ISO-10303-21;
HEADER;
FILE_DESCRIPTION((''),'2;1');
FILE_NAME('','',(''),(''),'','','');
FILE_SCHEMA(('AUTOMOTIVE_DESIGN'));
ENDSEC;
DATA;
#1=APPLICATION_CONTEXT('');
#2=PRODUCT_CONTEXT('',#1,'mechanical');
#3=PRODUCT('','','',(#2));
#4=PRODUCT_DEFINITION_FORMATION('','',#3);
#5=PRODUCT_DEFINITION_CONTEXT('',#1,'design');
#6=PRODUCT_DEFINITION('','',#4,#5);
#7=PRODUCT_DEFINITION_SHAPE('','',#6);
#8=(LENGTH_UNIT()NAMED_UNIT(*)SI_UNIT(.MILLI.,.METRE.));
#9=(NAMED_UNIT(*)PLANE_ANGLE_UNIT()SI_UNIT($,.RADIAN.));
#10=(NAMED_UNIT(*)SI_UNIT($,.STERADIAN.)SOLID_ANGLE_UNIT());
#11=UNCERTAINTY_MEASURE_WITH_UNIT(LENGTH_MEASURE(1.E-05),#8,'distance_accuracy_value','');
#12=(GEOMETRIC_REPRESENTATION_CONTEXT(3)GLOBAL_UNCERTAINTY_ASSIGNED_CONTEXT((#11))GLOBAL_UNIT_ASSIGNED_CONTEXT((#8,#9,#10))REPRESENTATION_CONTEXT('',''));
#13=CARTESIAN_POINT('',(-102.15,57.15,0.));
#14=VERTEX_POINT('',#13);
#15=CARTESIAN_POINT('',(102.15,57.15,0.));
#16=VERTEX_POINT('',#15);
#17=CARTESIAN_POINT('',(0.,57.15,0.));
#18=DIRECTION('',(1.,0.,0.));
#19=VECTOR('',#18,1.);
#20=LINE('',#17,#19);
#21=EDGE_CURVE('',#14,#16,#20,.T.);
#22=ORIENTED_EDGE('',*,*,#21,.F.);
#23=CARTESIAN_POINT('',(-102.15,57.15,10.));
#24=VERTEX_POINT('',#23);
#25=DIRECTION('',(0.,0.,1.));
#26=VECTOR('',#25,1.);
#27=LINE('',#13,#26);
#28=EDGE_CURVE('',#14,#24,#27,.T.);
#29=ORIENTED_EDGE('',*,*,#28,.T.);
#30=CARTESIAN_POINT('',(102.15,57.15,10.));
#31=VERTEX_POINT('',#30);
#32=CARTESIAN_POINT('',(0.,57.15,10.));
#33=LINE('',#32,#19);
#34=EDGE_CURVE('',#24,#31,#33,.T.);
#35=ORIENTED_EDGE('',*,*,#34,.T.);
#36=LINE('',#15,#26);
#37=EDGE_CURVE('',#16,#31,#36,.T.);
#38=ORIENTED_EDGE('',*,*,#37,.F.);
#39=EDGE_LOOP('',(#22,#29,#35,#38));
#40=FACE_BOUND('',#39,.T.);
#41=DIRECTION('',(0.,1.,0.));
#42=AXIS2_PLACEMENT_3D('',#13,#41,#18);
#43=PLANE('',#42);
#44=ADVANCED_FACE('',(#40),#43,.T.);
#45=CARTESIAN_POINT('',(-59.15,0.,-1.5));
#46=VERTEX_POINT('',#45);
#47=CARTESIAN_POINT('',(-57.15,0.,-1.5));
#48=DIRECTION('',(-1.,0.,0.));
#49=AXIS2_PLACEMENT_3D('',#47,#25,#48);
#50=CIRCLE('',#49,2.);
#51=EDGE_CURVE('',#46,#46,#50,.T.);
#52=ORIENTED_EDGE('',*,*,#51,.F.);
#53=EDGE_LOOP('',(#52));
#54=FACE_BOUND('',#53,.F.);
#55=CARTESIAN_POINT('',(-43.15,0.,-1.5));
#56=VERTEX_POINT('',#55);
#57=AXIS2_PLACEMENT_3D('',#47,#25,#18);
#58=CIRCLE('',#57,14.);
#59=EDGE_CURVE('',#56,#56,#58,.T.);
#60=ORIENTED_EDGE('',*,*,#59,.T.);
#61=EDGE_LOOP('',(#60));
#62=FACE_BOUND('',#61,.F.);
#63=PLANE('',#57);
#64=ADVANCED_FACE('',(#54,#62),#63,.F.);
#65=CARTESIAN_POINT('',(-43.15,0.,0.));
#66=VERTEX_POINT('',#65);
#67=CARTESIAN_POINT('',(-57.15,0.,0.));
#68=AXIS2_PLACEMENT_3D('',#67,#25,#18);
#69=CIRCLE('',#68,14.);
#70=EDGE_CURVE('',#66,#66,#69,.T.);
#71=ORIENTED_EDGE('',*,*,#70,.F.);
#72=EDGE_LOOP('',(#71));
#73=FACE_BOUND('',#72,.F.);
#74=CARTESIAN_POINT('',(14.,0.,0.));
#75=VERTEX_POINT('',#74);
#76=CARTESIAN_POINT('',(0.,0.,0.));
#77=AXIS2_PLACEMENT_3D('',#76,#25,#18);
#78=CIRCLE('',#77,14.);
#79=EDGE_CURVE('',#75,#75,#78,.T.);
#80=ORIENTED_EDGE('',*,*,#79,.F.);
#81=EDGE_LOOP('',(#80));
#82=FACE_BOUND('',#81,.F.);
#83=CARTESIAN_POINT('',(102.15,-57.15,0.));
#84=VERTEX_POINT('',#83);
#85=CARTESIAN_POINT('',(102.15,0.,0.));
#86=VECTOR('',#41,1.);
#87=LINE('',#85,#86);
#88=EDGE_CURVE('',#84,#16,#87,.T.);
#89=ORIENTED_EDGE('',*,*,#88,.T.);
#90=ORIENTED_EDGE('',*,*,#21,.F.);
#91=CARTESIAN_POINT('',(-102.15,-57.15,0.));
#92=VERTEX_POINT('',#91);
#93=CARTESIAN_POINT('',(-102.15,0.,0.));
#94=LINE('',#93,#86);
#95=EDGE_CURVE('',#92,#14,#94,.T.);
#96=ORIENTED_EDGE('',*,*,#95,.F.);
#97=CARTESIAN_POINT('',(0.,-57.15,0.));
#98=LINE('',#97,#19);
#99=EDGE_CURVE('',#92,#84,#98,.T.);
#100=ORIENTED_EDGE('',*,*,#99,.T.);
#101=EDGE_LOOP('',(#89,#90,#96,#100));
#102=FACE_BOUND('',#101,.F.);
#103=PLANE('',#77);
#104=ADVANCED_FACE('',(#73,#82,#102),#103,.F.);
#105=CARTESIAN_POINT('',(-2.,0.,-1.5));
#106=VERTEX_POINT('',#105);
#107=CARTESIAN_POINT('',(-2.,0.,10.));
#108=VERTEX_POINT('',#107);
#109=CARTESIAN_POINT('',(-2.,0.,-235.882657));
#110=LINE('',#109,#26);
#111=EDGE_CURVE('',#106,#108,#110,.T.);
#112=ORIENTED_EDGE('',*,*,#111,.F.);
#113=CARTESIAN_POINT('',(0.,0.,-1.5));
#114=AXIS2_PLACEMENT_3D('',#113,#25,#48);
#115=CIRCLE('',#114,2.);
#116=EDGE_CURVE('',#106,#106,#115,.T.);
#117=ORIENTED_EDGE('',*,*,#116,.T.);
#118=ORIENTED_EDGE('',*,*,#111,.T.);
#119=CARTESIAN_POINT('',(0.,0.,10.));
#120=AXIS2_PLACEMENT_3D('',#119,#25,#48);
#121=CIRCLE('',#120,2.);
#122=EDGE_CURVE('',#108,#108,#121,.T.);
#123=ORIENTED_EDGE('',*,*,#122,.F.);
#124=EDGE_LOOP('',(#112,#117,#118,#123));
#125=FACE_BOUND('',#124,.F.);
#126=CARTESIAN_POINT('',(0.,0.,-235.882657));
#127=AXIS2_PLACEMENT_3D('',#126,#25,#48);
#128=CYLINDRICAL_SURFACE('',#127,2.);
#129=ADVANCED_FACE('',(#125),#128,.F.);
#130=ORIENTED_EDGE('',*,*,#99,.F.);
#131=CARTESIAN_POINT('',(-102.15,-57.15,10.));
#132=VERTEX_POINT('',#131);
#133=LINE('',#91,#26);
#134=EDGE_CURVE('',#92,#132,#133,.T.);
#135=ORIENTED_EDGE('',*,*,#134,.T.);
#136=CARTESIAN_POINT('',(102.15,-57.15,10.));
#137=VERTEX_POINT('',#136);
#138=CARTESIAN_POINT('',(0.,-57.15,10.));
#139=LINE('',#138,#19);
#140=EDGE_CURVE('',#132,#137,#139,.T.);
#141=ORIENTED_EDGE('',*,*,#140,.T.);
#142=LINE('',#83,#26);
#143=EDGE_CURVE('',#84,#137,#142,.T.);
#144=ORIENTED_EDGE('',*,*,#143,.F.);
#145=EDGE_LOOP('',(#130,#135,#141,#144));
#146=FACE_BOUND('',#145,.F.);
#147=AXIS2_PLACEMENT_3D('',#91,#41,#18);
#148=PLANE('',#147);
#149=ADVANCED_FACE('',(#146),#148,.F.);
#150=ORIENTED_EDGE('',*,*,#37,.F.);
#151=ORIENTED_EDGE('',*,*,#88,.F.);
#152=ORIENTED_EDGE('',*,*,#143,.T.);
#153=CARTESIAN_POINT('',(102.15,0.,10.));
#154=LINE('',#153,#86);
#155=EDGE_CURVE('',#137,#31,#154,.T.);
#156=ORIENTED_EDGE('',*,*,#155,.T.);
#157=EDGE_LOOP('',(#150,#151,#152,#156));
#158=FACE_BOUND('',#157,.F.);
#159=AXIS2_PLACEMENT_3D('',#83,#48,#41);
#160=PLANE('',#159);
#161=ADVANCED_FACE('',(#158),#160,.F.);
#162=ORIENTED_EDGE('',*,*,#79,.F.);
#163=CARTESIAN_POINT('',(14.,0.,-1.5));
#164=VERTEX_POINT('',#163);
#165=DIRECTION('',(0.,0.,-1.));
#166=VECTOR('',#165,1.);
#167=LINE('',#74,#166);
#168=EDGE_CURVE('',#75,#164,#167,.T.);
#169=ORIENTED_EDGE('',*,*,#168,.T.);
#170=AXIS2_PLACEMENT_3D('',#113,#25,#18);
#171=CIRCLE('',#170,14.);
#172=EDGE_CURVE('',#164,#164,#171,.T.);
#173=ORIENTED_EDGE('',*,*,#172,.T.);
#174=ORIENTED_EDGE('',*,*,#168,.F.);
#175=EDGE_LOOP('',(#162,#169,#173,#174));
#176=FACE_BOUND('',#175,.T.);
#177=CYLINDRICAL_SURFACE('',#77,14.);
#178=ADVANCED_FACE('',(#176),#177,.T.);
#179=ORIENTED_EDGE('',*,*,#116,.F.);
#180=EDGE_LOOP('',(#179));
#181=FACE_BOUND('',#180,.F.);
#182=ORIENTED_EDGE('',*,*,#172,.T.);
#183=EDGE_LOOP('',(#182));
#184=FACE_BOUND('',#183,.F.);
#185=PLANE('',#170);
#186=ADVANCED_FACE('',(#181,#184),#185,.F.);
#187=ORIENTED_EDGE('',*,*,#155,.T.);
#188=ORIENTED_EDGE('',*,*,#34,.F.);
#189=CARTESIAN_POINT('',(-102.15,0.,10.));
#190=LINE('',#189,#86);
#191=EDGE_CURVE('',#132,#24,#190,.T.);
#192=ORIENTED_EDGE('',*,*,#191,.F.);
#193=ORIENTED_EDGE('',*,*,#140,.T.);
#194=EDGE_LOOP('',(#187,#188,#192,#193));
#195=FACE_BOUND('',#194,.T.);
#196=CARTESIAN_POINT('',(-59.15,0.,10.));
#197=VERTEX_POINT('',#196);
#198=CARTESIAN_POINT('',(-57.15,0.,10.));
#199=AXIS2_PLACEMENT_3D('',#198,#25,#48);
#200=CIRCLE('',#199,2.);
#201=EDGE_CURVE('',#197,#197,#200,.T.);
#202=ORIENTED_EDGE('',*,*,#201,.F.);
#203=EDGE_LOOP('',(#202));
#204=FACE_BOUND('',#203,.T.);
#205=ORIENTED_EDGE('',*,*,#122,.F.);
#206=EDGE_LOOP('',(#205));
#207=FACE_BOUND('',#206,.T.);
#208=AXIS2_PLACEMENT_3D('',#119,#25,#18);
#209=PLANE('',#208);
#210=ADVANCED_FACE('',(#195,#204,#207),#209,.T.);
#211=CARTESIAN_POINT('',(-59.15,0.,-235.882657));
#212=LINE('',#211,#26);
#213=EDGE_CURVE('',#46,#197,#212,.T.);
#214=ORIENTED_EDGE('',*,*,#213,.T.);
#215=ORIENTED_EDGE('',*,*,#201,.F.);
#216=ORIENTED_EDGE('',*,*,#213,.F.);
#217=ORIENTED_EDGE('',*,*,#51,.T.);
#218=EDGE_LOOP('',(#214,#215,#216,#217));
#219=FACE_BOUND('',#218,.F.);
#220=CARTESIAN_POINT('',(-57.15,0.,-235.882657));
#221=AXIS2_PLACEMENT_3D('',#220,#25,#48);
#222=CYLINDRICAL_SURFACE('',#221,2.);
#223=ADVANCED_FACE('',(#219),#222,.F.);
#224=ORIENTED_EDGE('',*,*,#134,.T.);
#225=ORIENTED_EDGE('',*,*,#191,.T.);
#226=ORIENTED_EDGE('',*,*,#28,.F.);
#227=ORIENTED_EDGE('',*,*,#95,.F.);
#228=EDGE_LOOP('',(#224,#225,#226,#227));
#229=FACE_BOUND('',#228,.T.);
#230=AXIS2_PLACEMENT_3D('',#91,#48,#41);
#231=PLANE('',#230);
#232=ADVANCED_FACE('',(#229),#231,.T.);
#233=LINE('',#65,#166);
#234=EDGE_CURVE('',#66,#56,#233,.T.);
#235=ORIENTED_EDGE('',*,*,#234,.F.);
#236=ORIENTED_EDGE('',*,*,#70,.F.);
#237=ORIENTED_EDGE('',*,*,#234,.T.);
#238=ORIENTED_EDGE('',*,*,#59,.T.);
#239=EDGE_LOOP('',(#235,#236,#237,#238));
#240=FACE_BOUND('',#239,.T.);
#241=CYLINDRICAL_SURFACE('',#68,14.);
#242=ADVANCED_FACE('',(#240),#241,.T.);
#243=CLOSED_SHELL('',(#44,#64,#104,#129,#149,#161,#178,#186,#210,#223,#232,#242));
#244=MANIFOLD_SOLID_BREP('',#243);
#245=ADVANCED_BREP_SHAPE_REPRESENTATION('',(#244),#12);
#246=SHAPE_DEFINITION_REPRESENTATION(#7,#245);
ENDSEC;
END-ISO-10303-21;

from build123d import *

# Parameters (mm, degrees)
F0_W     = 204.3
F0_H     = 114.3
F0_R     = 14
F1_DEPTH = 10
F2_DEPTH = 1.5
F4_D     = 4


with BuildPart() as f1:
    # F0 (on Top) → F1 (new body)
    with BuildSketch(Plane.XY):
        Rectangle(F0_W, F0_H)
        with Locations((-57.15, 0)):
            Circle(F0_R, mode=Mode.SUBTRACT)
        Circle(F0_R, mode=Mode.SUBTRACT)
        with Locations((-57.15, 0)):
            Circle(F0_R)
        Circle(F0_R)
    extrude(amount=F1_DEPTH)

    # F0 (on Top) → F2 (join)
    with BuildSketch(Plane.XY):
        with Locations((-57.15, 0)):
            Circle(F0_R)
        Circle(F0_R)
    extrude(amount=-F2_DEPTH)

    # F4 (through all)
    with Locations(Plane(origin=(0, 0, -1.5), x_dir=(1, 0, 0), z_dir=(0, 0, -1))):
        with Locations((-57.15, 0), (0, 0)):
            Hole(F4_D / 2)


solid = f1.part
